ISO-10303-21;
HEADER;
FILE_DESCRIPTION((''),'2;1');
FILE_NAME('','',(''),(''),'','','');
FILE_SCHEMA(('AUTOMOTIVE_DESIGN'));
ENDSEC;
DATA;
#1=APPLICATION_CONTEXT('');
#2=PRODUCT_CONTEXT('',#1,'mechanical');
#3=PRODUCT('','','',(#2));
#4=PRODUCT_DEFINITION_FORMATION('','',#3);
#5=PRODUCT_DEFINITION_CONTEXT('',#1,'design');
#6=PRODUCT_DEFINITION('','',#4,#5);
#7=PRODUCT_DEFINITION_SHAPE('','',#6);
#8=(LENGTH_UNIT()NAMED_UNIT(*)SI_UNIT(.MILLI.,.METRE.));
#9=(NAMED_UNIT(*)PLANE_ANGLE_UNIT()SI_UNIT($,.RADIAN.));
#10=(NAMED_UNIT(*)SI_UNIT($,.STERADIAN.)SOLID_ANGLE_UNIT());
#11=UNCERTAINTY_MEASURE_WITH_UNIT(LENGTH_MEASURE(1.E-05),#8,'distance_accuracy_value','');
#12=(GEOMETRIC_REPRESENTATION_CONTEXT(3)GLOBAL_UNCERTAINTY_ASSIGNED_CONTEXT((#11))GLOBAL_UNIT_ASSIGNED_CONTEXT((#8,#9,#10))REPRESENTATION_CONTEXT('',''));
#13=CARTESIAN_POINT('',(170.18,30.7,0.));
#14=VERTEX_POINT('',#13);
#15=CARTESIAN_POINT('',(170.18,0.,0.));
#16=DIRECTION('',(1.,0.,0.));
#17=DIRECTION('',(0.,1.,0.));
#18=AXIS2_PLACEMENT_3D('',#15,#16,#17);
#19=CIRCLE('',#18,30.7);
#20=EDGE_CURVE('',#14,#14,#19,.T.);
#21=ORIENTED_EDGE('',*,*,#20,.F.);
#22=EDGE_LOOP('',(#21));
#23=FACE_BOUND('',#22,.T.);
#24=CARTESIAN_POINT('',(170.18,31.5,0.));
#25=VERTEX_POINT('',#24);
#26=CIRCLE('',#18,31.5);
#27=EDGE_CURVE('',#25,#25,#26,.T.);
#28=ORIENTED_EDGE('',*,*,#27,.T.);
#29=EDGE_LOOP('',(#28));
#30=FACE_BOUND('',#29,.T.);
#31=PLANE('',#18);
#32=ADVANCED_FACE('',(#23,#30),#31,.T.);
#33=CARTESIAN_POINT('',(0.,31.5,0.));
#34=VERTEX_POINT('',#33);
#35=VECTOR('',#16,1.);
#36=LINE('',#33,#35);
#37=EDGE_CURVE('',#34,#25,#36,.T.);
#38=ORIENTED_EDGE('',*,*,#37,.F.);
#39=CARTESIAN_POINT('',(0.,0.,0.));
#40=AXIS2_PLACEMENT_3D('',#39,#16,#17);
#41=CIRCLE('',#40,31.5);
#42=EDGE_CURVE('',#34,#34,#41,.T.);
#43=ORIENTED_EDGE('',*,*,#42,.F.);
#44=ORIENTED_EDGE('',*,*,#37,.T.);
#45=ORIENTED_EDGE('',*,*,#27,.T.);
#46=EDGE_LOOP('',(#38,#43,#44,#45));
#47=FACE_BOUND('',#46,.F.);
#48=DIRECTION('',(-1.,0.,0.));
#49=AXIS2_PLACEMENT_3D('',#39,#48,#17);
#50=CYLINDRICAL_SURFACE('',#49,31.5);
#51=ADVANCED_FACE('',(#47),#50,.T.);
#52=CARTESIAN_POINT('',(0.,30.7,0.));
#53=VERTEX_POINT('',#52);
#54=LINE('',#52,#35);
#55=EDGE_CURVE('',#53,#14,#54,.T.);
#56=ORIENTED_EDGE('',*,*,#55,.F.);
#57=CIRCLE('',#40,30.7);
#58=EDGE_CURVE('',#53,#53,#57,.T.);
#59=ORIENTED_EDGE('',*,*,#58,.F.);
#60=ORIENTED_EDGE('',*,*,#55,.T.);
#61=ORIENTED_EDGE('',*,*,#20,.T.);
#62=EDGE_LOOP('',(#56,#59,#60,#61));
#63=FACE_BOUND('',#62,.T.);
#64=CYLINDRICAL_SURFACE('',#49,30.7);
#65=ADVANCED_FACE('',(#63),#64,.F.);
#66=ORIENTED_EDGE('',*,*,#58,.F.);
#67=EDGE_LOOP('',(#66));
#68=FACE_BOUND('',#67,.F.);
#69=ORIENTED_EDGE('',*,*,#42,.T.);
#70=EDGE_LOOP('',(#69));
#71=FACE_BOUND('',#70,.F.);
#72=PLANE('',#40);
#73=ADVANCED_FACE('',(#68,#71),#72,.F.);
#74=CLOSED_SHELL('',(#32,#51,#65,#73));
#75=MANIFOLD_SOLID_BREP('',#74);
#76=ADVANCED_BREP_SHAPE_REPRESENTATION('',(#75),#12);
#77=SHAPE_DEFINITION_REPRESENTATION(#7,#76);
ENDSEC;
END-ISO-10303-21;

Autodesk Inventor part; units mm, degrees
ref_plane "YZ Plane" through (0, 0, 0) normal (1, 0, 0) x (0, 1, 0)
ref_plane "XZ Plane" through (0, 0, 0) normal (0, 1, 0) x (-1, 0, 0)
ref_plane "XY Plane" through (0, 0, 0) normal (0, 0, 1) x (1, 0, 0)
sketch "Sketch1" plane through (0, 0, 0) normal (1, 0, 0) x (0, 1, 0)
  circle A0 centre (0, 0) radius 31.5
  circle A1 centre (0, 0) radius 30.7
  dimension "d0" = 63
  dimension "d1" = 0.8
extrude "Extrusion1" add sketch "Sketch1" along normal blind 170.18
equation "\"d0\" = OD"
equation "\"d1\" = t"
equation "\"d2\" = L"
equation "\"OD\" = 63"
equation "\"t\" = 0.8"
equation "\"L\" = PL"
equation "\"ID\" = 61.4"
equation "\"PL\" = 170.18"
properties part number "ISO 4065 Pipe DN63x0.8xS40 - 175.26000000" material "PVC-Piping"
